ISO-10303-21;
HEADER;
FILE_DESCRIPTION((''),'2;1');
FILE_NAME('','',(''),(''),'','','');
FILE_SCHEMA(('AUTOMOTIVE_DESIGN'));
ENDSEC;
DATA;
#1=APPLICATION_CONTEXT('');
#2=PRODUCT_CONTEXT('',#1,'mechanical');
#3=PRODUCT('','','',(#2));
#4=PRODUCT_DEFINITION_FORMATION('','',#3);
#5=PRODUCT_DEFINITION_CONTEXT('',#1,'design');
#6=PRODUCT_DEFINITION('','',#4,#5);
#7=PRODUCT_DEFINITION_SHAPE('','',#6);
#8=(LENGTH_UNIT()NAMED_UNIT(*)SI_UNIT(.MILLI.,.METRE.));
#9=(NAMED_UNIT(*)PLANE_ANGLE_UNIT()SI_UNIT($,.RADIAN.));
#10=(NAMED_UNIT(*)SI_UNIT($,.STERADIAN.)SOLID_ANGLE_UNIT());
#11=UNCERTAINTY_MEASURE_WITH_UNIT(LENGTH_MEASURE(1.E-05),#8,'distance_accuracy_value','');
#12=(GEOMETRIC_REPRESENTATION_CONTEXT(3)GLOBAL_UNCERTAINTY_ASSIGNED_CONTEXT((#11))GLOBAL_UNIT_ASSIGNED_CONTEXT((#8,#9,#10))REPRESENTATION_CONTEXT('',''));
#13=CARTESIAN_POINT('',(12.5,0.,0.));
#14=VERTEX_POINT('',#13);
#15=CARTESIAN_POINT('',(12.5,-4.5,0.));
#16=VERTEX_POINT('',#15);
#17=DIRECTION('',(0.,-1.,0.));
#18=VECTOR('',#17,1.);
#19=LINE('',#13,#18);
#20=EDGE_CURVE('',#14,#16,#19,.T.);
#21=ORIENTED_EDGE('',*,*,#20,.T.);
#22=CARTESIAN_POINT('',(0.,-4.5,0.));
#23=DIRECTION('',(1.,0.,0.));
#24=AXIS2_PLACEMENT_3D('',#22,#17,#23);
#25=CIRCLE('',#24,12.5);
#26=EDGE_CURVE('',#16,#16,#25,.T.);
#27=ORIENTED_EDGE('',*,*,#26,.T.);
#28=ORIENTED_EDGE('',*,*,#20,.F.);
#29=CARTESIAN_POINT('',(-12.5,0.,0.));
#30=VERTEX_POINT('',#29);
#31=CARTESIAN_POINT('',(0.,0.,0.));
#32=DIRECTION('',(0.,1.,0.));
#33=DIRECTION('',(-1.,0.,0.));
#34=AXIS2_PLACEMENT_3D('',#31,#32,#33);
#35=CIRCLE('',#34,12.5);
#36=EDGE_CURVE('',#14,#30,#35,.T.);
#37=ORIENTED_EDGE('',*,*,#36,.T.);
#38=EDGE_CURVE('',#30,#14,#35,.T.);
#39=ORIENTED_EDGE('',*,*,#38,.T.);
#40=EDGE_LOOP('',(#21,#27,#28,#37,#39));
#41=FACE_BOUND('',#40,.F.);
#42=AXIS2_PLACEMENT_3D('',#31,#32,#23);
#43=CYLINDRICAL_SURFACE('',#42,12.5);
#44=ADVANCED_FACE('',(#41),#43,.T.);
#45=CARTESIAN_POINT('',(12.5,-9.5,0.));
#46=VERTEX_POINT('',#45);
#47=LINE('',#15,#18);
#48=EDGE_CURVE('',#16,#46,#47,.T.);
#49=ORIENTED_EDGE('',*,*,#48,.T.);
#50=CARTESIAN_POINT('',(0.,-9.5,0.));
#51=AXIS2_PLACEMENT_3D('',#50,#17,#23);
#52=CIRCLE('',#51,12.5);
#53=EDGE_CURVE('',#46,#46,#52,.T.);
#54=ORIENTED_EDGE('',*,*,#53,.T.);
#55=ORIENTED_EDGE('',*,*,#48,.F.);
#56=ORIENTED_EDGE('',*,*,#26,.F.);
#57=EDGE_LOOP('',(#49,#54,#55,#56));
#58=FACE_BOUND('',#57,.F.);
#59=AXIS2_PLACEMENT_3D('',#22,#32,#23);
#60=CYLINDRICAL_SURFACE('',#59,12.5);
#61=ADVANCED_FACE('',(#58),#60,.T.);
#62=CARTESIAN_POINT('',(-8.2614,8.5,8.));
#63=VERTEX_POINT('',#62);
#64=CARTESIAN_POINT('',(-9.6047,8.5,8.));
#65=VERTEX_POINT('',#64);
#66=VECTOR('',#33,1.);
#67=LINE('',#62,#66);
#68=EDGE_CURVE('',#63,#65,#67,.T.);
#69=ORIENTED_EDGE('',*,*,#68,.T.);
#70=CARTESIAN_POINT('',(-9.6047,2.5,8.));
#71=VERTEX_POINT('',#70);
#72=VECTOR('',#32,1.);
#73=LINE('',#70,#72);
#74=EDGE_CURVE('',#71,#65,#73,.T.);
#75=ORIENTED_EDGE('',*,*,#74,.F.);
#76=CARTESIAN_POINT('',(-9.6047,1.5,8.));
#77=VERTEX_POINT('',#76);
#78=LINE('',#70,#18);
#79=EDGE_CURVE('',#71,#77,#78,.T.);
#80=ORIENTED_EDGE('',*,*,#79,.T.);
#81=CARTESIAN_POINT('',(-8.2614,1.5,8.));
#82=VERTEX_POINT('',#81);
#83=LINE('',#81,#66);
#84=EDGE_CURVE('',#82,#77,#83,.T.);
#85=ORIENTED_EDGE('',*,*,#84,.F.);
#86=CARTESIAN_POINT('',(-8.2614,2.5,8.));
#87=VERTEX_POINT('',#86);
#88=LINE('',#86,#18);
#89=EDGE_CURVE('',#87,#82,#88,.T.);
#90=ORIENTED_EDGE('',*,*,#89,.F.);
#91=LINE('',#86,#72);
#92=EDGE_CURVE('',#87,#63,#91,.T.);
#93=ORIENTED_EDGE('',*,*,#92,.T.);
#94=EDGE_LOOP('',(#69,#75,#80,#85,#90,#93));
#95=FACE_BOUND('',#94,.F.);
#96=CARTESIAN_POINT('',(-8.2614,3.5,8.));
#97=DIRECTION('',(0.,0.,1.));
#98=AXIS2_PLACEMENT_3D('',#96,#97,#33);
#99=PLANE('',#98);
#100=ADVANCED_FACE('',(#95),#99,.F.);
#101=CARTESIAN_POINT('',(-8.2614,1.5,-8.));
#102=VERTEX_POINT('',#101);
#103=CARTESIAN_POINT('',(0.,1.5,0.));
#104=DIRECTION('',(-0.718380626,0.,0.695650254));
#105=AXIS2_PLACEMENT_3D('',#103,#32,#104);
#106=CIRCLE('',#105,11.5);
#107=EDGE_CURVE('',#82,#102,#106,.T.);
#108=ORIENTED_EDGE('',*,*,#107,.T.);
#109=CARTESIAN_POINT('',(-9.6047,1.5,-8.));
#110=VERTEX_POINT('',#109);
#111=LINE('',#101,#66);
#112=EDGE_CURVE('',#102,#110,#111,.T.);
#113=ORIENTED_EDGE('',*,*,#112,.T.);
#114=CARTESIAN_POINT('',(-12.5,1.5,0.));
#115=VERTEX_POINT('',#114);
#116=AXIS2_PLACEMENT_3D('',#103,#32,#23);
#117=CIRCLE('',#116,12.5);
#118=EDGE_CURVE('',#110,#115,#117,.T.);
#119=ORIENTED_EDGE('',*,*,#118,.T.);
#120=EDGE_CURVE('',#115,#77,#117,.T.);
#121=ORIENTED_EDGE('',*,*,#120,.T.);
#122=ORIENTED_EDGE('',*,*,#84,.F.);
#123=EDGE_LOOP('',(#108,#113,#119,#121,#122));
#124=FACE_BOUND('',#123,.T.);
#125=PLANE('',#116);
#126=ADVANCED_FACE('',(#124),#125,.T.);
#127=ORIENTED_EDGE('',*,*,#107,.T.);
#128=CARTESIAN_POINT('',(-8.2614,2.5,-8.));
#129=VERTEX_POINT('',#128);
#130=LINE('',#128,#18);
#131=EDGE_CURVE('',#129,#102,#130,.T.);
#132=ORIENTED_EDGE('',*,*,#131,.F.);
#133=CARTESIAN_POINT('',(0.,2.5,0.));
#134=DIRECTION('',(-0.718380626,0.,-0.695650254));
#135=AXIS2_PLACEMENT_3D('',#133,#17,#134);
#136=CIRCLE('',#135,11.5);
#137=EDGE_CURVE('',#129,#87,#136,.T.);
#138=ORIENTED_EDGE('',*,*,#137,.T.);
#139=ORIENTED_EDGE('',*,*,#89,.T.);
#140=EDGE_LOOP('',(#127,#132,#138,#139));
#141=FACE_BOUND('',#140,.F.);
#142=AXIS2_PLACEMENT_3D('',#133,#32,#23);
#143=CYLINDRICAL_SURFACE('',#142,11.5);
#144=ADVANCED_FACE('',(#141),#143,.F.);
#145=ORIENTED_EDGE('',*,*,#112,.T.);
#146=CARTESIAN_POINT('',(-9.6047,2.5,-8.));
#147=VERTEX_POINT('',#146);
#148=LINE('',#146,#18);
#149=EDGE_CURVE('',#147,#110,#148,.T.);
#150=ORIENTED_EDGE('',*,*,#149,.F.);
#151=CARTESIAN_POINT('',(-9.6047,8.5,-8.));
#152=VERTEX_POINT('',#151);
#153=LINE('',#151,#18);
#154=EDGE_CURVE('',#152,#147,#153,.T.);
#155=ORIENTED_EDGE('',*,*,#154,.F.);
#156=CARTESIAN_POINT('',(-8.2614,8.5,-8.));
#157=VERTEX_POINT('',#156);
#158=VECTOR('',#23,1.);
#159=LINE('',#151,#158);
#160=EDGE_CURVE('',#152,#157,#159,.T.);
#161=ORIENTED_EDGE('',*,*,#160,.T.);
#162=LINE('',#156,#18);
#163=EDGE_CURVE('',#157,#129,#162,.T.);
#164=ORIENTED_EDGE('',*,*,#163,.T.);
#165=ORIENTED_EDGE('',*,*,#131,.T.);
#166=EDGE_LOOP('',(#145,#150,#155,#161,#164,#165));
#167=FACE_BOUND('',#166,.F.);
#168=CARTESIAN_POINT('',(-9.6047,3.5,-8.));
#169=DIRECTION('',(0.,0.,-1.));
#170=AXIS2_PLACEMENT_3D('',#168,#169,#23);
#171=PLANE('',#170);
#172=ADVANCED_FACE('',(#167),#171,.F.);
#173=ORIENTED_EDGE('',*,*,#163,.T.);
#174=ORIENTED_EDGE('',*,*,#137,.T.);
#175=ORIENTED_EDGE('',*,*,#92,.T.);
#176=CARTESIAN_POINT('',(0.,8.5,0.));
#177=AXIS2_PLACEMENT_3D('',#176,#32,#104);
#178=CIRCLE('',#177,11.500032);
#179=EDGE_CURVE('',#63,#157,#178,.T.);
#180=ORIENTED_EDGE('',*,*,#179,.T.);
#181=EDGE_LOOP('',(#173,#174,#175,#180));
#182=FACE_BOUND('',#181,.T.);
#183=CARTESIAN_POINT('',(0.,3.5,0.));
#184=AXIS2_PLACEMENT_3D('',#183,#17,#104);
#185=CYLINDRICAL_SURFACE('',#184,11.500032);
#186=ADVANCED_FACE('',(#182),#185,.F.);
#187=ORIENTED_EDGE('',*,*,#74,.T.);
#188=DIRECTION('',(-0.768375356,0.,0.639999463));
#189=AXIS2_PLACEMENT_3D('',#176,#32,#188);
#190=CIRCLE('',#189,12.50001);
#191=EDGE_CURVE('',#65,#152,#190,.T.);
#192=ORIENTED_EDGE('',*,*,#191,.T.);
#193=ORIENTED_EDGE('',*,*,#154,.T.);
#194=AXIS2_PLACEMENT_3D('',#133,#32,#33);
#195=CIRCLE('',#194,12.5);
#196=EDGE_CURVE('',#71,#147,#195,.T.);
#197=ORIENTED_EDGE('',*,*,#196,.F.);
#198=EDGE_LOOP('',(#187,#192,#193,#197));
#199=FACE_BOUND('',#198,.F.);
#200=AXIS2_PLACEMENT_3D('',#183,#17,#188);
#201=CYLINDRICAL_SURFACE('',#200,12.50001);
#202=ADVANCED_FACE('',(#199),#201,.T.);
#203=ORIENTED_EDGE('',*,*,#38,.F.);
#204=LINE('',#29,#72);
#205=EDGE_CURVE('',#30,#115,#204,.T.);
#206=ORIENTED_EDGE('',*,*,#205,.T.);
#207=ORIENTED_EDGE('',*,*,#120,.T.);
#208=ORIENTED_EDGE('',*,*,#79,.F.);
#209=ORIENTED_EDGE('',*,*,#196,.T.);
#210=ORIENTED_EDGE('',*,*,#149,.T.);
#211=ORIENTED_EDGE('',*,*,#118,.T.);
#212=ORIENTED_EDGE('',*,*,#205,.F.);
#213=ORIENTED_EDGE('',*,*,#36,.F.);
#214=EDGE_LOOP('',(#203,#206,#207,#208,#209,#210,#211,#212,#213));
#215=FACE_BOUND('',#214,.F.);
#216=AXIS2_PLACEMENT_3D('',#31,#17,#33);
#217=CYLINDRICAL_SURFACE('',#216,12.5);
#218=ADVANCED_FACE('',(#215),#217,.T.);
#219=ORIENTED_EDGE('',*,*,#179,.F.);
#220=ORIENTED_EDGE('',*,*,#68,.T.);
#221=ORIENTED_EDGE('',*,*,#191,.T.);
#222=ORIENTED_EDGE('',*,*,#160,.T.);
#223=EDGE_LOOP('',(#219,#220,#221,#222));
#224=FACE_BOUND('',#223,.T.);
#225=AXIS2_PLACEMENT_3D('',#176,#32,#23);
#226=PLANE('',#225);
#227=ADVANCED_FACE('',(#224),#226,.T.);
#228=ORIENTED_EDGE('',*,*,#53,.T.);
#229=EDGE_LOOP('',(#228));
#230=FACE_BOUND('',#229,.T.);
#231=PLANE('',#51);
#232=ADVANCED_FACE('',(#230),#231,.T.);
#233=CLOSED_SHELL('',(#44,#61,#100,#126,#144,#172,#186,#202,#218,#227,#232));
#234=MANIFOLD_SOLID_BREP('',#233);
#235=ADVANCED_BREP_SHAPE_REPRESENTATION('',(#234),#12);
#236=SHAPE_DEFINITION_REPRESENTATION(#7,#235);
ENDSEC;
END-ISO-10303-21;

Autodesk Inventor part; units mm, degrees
ref_plane "YZ Plane" through (0, 0, 0) normal (1, 0, 0) x (0, 1, 0)
ref_plane "XZ Plane" through (0, 0, 0) normal (0, 1, 0) x (-1, 0, 0)
ref_plane "XY Plane" through (0, 0, 0) normal (0, 0, 1) x (1, 0, 0)
sketch "Sketch1" plane through (0, 0, 0) normal (0, 1, 0) x (-1, 0, 0)
  circle A0 centre (0, 0) radius 12.5
  dimension "d0" = 25
extrude "Extrusion1" add sketch "Sketch1" along normal blind 2.5
sketch "Sketch2" plane through (0, 2.5, 0) normal (0, 1, 0) x (1, 0, 0)
  circle A0 centre (0, 0) radius 11.5
  dimension "d3" = 23
extrude "Extrusion2" cut sketch "Sketch2" against normal blind 1
sketch "Sketch3" plane through (0, 2.5, 0) normal (0, 1, 0) x (1, 0, 0)
  circle A0 centre (0, 0) radius 11.5 projected
  circle A1 centre (0, 0) radius 12.5 projected
  line L0 (-8.2614, -8) -> (-9.6047, -8)
  line L1 (-8.2614, 8) -> (-9.6047, 8)
extrude "Extrusion3" cut sketch "Sketch3" against normal up to surface (1 mm away) contours A0 L0 A1 L1 picked at (-11.7871, 0)
sketch "Sketch6" plane through (0, 2.5, 0) normal (0, 1, 0) x (1, 0, 0)
  arc A0 (-9.6047, -8) -> (-9.6047, 8) centre (0, 0) ccw projected
  arc A1 (-8.2614, -8) -> (-8.2614, 8) centre (0, 0) ccw projected
  line L0 (-9.6047, 8) -> (-8.2614, 8) projected
  line L1 (-8.2614, -8) -> (-9.6047, -8) projected
extrude "Extrusion5" add sketch "Sketch6" along normal blind 1
sketch "Sketch7" plane through (0, 3.5, 0) normal (0, 1, 0) x (1, 0, 0)
  arc A0 (-8.2614, -8) -> (-8.2614, 8) centre (0, 0) ccw projected
  line L0 (-9.6047, 8) -> (-8.2614, 8) projected
  line L1 (-8.2614, -8) -> (-9.6047, -8) projected
  arc A1 (-9.6047, -8) -> (-9.6047, 8) centre (0, 0) ccw projected
extrude "Extrusion6" add sketch "Sketch7" along normal blind 5
sketch "Sketch8" plane through (0, 0, 0) normal (0, -1, 0) x (1, 0, 0)
  circle A0 centre (0, 0) radius 12.5 projected
extrude "Extrusion7" add sketch "Sketch8" along normal blind 4.5
sketch "Sketch9" plane through (0, -4.5, 0) normal (0, -1, 0) x (1, 0, 0)
  circle A0 centre (0, 0) radius 12.5 projected
extrude "Extrusion8" add sketch "Sketch9" along normal blind 5
properties part number "Heis_kopp" material "S355J2+N"
